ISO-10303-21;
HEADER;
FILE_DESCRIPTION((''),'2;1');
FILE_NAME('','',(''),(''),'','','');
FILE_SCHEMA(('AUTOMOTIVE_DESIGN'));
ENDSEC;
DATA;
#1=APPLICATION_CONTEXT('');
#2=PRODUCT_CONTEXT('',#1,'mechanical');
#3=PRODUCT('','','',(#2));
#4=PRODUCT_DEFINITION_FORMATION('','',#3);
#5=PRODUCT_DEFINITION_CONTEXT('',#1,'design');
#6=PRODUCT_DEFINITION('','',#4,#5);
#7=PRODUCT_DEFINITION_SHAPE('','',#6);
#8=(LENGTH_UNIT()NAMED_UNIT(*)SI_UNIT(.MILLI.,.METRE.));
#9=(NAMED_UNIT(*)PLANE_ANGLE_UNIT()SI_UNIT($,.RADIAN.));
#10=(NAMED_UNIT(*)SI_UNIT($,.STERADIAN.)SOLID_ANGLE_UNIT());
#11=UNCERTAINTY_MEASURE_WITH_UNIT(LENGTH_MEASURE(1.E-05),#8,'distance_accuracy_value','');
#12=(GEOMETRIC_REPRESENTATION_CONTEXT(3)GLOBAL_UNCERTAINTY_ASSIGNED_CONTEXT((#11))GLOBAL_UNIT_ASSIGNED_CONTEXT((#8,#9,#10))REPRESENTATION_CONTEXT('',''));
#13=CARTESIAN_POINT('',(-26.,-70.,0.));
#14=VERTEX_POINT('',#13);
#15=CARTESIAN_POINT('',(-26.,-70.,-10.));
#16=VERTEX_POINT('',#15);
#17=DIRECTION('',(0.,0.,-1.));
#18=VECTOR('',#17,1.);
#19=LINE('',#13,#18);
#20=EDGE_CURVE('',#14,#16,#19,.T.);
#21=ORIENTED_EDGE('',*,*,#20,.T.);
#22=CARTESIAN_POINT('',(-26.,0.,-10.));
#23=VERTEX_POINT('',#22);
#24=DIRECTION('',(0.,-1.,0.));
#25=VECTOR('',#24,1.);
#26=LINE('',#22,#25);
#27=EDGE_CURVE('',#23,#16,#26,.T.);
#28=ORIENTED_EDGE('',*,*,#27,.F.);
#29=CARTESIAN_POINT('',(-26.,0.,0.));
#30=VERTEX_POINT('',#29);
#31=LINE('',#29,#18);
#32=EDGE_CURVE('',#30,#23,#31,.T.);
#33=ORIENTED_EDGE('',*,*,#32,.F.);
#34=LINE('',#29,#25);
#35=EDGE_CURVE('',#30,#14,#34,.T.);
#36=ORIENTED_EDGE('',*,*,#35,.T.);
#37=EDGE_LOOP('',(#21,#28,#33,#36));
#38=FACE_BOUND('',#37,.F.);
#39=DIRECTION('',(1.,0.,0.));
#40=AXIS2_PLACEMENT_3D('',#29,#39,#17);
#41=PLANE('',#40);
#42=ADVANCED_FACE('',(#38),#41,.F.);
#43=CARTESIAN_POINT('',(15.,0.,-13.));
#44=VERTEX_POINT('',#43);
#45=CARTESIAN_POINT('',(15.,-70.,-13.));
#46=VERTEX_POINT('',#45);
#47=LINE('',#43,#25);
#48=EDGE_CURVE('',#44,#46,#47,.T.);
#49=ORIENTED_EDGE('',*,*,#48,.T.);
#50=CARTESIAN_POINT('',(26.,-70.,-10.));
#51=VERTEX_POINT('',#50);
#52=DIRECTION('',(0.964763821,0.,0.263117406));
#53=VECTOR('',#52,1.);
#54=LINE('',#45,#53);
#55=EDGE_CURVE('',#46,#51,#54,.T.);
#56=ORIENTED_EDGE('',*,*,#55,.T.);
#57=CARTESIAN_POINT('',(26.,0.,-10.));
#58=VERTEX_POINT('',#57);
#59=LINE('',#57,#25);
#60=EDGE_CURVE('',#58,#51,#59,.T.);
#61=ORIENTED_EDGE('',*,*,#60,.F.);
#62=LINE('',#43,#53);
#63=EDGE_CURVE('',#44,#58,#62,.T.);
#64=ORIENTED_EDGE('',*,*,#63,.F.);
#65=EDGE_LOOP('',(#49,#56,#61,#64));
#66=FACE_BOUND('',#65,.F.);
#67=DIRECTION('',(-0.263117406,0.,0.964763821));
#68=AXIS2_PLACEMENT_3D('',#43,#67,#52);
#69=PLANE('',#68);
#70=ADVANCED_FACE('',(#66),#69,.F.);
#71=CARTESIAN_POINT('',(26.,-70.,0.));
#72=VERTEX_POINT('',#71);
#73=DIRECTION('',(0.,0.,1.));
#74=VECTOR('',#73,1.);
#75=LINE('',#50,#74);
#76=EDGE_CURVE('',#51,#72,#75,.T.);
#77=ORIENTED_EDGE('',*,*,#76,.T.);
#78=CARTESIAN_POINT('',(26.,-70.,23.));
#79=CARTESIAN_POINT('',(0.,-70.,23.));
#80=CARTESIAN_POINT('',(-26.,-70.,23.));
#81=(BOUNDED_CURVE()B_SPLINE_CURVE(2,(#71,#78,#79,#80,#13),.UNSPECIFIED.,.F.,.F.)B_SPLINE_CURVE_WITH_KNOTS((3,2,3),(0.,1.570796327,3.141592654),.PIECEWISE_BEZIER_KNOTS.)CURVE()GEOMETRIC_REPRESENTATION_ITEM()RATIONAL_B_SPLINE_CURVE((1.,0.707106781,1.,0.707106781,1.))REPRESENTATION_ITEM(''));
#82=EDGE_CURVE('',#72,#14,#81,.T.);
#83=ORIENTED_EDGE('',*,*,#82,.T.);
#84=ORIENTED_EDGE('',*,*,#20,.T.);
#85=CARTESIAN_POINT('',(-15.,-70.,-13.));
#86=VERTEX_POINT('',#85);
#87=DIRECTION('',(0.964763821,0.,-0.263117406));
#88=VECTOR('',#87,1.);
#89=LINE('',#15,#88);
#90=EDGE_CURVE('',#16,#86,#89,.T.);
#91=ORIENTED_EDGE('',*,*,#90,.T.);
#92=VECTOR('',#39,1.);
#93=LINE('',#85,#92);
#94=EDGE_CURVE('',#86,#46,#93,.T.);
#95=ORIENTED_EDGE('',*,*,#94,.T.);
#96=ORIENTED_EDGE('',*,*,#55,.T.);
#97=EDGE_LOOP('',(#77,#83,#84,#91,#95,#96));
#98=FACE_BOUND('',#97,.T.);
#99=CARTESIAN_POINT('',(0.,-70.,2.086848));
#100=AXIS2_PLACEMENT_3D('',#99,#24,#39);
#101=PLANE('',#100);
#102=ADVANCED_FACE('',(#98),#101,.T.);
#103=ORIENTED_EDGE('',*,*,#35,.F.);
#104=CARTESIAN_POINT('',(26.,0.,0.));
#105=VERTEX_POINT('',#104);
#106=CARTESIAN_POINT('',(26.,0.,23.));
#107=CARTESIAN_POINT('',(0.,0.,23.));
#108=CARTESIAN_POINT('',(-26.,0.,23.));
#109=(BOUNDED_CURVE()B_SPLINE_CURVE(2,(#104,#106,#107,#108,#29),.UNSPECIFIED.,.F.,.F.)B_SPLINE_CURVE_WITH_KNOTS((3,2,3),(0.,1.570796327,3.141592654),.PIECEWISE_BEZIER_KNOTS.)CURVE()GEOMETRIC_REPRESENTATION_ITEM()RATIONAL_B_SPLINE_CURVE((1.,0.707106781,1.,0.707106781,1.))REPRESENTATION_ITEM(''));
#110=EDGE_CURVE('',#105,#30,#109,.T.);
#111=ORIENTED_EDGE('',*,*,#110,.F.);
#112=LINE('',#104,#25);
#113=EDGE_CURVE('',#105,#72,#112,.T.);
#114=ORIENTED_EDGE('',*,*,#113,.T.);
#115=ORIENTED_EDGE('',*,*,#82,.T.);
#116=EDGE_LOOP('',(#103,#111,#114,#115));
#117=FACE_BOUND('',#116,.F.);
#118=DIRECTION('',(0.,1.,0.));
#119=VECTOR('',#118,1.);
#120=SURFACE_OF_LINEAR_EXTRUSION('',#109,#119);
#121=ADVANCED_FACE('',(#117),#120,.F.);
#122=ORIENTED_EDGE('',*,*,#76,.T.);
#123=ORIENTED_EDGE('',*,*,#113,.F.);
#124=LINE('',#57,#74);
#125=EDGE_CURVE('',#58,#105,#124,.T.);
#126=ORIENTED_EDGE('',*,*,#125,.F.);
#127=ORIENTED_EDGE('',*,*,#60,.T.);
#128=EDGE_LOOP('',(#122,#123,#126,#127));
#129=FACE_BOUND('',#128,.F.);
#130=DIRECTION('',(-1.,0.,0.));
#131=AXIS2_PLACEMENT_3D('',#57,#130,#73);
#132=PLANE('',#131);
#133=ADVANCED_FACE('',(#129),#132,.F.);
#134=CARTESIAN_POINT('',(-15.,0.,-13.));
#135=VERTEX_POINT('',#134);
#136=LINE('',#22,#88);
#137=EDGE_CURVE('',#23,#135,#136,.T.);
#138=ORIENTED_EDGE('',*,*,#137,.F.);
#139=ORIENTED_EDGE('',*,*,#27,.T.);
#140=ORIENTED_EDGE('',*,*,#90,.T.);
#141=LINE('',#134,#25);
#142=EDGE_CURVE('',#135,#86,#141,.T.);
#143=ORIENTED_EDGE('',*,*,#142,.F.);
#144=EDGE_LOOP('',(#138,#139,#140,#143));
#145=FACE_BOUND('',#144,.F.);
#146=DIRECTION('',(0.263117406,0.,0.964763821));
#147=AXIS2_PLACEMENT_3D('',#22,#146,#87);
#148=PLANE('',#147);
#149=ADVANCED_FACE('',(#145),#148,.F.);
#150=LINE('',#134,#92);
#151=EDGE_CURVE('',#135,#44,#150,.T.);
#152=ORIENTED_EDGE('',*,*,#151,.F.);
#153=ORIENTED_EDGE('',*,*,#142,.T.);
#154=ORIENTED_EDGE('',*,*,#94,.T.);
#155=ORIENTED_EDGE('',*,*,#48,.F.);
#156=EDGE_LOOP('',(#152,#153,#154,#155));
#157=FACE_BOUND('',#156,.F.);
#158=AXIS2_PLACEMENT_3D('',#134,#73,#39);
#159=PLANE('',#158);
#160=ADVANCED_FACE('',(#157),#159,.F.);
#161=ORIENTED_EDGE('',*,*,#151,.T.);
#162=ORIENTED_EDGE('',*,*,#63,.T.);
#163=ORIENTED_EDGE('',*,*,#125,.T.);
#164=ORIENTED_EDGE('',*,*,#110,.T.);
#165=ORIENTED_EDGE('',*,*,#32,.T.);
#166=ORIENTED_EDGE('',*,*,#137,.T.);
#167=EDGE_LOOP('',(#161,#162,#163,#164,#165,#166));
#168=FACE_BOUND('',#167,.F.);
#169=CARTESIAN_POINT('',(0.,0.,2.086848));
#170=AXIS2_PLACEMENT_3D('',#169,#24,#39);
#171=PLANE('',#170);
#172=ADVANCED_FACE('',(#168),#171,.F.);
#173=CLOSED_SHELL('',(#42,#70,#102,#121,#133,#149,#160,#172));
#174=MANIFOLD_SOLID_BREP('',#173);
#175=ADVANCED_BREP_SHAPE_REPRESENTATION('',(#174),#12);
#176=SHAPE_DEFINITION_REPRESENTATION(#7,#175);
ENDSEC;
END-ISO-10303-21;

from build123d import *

# Parameters (mm, degrees)
F1_DEPTH = 70


with BuildPart() as f1:
    # F0 (on Front) → F1 (new body)
    with BuildSketch(Plane.XZ):
        with BuildLine():
            Line((26, -10), (26, 0))
            add(Edge.make_bspline(
                [(26, 0), (26, 23), (0, 23), (-26, 23), (-26, 0)],
                knots=[0, 0, 0, 1.5707963268, 1.5707963268, 3.1415926536, 3.1415926536, 3.1415926536], degree=2, weights=[1, 0.7071067812, 1, 0.7071067812, 1]))
            Line((-26, 0), (-26, -10))
            Line((-26, -10), (-15, -13))
            Line((-15, -13), (15, -13))
            Line((15, -13), (26, -10))
        make_face()
    extrude(amount=F1_DEPTH)


solid = f1.part
